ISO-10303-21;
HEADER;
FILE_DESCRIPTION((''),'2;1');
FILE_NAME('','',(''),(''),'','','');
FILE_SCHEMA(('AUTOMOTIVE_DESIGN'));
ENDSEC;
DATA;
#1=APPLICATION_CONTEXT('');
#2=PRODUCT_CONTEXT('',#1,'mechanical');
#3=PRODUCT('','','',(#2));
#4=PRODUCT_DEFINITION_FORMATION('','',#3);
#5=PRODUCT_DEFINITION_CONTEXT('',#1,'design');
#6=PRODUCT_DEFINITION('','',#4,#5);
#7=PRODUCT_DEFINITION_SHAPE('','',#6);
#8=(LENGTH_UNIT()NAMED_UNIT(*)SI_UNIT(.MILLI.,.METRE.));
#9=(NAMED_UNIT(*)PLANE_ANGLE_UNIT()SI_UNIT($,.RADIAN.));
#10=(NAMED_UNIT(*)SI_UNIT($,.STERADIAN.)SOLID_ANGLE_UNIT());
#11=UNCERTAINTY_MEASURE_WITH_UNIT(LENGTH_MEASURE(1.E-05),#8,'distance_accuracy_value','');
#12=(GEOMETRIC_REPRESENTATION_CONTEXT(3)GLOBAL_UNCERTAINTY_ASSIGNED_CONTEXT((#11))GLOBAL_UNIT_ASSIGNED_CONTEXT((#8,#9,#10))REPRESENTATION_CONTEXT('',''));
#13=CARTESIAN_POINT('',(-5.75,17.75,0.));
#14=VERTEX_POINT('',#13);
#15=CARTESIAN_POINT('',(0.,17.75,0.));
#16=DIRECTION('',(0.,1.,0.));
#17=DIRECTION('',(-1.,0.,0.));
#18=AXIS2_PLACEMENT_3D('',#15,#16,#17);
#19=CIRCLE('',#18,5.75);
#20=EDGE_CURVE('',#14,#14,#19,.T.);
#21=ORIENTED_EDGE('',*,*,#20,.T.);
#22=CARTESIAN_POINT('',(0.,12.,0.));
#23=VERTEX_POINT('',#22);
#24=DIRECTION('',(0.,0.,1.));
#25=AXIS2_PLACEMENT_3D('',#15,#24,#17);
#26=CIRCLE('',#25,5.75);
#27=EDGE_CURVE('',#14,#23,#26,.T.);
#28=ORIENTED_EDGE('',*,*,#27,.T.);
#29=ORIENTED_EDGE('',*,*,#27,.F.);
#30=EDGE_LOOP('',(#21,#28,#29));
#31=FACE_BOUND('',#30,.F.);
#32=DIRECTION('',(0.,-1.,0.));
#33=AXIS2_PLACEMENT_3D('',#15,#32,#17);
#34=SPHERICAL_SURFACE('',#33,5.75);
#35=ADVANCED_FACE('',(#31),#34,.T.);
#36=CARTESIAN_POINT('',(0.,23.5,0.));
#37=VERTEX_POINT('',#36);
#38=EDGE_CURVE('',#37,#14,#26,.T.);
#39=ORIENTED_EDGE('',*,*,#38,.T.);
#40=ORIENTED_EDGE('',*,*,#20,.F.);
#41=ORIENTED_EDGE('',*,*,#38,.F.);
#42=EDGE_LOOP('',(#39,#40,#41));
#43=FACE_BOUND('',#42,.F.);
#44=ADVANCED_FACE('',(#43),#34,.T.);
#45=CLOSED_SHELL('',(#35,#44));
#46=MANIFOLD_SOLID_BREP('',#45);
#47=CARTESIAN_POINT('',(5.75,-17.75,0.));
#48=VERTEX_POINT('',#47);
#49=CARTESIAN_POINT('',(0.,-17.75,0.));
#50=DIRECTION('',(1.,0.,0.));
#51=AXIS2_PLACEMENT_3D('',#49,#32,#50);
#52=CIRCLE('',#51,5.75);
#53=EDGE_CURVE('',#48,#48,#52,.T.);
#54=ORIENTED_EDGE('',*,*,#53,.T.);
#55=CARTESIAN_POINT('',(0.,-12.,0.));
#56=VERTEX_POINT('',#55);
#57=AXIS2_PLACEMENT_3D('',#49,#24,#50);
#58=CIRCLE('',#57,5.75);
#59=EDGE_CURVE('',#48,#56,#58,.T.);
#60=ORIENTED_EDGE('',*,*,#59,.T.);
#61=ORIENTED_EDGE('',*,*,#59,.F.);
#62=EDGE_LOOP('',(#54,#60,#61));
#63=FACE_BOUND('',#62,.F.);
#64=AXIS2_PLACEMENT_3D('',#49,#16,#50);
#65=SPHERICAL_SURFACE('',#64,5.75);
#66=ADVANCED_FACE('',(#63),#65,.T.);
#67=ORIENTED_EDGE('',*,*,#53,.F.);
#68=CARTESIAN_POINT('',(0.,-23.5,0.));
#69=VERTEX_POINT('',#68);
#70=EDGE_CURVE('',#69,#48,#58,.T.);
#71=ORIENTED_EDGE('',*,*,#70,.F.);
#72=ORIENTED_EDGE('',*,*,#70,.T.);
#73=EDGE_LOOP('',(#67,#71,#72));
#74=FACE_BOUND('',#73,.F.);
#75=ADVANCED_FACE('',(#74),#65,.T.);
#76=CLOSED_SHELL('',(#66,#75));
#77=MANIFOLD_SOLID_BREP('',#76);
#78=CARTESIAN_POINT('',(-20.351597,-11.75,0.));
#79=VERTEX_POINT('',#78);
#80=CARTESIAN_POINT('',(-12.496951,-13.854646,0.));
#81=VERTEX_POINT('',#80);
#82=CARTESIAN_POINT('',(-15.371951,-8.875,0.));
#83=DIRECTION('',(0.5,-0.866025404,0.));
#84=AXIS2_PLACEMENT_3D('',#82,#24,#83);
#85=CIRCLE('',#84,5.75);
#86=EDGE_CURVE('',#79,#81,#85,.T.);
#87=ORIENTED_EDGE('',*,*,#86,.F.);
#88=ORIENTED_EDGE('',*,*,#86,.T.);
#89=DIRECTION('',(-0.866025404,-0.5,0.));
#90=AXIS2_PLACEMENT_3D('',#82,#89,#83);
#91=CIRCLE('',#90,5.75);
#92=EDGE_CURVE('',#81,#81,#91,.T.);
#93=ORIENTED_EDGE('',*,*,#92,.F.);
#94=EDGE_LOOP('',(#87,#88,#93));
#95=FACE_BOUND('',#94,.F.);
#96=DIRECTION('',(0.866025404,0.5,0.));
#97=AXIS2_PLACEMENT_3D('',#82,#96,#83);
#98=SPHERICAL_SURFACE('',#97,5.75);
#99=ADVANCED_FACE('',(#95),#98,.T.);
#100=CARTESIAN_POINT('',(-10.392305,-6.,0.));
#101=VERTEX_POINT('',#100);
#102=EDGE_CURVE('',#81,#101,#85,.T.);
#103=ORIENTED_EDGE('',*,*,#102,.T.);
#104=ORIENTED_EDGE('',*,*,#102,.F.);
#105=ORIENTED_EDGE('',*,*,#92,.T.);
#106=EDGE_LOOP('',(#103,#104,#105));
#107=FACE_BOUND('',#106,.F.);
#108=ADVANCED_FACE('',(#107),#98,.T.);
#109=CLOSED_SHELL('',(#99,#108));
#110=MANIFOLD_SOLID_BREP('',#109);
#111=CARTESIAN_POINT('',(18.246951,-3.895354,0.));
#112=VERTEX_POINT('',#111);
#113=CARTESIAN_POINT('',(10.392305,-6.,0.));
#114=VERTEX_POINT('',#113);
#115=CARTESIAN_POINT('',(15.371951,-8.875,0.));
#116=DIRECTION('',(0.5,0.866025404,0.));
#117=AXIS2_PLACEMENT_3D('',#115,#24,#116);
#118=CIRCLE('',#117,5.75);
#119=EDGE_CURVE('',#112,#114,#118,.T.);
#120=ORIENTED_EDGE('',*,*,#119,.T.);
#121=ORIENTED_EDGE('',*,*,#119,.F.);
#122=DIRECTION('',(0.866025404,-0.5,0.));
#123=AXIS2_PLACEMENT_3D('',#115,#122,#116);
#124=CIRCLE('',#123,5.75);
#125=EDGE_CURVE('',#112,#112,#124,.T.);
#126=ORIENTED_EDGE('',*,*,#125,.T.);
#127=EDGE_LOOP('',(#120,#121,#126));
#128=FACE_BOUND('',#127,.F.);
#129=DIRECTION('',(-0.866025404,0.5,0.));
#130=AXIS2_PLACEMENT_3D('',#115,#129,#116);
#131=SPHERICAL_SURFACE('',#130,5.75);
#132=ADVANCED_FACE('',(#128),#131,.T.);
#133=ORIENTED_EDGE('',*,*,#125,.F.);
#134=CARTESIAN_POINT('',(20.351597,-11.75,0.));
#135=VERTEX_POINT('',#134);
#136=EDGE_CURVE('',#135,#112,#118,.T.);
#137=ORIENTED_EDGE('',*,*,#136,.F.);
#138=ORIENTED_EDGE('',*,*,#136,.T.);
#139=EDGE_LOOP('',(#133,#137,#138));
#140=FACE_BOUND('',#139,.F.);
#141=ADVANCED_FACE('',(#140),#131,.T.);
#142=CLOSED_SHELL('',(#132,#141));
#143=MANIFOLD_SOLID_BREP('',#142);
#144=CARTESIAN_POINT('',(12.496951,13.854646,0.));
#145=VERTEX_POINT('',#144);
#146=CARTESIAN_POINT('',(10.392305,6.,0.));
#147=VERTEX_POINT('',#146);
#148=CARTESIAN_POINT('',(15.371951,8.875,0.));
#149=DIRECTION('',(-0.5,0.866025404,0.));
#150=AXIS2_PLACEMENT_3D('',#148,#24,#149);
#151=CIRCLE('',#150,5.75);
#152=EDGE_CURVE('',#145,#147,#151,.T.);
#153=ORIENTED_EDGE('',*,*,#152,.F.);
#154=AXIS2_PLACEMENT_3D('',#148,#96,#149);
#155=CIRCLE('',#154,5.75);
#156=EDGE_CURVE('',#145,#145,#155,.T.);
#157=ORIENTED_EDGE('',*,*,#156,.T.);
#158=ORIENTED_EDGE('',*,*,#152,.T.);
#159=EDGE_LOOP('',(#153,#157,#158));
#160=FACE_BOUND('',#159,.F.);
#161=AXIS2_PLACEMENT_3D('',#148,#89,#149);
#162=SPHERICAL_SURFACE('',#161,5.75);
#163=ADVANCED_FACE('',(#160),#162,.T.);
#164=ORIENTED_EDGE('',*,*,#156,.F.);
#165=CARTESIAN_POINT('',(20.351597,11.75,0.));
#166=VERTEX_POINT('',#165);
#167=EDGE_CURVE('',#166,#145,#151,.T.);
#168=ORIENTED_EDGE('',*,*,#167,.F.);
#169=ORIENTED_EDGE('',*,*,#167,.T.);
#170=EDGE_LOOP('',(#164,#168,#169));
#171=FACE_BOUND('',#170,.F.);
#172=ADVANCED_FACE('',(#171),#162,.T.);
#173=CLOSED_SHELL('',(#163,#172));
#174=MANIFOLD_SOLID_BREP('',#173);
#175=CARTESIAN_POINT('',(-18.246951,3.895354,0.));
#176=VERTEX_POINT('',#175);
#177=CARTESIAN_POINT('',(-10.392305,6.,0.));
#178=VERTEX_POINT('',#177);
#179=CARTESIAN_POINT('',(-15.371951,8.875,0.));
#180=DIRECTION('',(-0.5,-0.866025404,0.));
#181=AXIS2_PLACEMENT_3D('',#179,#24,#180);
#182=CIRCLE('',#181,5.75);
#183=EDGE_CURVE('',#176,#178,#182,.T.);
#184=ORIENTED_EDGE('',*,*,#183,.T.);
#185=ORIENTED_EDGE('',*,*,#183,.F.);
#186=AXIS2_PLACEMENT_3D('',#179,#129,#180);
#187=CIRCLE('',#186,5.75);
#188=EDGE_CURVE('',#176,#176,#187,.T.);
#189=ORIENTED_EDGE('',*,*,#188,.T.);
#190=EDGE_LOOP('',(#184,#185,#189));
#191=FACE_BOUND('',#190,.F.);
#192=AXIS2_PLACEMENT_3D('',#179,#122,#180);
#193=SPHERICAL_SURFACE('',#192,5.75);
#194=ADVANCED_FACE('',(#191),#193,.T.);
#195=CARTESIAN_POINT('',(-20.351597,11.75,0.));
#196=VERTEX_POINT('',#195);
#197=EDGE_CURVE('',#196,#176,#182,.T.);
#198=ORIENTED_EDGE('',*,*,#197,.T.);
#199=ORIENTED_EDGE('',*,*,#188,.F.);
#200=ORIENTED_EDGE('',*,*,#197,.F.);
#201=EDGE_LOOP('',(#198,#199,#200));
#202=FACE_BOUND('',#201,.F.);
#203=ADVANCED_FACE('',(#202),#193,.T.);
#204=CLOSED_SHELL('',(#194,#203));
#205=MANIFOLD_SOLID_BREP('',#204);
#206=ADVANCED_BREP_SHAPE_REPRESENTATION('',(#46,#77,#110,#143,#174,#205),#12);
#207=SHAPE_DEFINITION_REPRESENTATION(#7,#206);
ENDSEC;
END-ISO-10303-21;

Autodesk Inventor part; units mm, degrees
ref_plane "YZ Plane" through (0, 0, 0) normal (1, 0, 0) x (0, 1, 0)
ref_plane "XZ Plane" through (0, 0, 0) normal (0, 1, 0) x (-1, 0, 0)
ref_plane "XY Plane" through (0, 0, 0) normal (0, 0, 1) x (1, 0, 0)
sketch "Boceto2" plane through (0, 0, 0) normal (0, 0, 1) x (1, 0, 0)
  circle A0 centre (0, -17.75) radius 5.75
  circle A1 centre (0, 0) radius 12 construction
  circle A2 centre (0, 0) radius 23.5 construction
  line L0 (0, 0) -> (0, -23.5)
  point P0 (0, -12)
  dimension "d_out" = 47
  dimension "d_in" = 24
revolve "Revolución1" add sketch "Boceto2" angle 360 about axis through (0, 0, 0) along (0, -1, 0) picked at (0.8316, -16.0231) contours L0 A0
pattern_circular "Patrón circular1" count 6 over 360 about axis through (0, 0, -10) along (0, 0, 1) of "Revolución1"
properties part number "balines"
